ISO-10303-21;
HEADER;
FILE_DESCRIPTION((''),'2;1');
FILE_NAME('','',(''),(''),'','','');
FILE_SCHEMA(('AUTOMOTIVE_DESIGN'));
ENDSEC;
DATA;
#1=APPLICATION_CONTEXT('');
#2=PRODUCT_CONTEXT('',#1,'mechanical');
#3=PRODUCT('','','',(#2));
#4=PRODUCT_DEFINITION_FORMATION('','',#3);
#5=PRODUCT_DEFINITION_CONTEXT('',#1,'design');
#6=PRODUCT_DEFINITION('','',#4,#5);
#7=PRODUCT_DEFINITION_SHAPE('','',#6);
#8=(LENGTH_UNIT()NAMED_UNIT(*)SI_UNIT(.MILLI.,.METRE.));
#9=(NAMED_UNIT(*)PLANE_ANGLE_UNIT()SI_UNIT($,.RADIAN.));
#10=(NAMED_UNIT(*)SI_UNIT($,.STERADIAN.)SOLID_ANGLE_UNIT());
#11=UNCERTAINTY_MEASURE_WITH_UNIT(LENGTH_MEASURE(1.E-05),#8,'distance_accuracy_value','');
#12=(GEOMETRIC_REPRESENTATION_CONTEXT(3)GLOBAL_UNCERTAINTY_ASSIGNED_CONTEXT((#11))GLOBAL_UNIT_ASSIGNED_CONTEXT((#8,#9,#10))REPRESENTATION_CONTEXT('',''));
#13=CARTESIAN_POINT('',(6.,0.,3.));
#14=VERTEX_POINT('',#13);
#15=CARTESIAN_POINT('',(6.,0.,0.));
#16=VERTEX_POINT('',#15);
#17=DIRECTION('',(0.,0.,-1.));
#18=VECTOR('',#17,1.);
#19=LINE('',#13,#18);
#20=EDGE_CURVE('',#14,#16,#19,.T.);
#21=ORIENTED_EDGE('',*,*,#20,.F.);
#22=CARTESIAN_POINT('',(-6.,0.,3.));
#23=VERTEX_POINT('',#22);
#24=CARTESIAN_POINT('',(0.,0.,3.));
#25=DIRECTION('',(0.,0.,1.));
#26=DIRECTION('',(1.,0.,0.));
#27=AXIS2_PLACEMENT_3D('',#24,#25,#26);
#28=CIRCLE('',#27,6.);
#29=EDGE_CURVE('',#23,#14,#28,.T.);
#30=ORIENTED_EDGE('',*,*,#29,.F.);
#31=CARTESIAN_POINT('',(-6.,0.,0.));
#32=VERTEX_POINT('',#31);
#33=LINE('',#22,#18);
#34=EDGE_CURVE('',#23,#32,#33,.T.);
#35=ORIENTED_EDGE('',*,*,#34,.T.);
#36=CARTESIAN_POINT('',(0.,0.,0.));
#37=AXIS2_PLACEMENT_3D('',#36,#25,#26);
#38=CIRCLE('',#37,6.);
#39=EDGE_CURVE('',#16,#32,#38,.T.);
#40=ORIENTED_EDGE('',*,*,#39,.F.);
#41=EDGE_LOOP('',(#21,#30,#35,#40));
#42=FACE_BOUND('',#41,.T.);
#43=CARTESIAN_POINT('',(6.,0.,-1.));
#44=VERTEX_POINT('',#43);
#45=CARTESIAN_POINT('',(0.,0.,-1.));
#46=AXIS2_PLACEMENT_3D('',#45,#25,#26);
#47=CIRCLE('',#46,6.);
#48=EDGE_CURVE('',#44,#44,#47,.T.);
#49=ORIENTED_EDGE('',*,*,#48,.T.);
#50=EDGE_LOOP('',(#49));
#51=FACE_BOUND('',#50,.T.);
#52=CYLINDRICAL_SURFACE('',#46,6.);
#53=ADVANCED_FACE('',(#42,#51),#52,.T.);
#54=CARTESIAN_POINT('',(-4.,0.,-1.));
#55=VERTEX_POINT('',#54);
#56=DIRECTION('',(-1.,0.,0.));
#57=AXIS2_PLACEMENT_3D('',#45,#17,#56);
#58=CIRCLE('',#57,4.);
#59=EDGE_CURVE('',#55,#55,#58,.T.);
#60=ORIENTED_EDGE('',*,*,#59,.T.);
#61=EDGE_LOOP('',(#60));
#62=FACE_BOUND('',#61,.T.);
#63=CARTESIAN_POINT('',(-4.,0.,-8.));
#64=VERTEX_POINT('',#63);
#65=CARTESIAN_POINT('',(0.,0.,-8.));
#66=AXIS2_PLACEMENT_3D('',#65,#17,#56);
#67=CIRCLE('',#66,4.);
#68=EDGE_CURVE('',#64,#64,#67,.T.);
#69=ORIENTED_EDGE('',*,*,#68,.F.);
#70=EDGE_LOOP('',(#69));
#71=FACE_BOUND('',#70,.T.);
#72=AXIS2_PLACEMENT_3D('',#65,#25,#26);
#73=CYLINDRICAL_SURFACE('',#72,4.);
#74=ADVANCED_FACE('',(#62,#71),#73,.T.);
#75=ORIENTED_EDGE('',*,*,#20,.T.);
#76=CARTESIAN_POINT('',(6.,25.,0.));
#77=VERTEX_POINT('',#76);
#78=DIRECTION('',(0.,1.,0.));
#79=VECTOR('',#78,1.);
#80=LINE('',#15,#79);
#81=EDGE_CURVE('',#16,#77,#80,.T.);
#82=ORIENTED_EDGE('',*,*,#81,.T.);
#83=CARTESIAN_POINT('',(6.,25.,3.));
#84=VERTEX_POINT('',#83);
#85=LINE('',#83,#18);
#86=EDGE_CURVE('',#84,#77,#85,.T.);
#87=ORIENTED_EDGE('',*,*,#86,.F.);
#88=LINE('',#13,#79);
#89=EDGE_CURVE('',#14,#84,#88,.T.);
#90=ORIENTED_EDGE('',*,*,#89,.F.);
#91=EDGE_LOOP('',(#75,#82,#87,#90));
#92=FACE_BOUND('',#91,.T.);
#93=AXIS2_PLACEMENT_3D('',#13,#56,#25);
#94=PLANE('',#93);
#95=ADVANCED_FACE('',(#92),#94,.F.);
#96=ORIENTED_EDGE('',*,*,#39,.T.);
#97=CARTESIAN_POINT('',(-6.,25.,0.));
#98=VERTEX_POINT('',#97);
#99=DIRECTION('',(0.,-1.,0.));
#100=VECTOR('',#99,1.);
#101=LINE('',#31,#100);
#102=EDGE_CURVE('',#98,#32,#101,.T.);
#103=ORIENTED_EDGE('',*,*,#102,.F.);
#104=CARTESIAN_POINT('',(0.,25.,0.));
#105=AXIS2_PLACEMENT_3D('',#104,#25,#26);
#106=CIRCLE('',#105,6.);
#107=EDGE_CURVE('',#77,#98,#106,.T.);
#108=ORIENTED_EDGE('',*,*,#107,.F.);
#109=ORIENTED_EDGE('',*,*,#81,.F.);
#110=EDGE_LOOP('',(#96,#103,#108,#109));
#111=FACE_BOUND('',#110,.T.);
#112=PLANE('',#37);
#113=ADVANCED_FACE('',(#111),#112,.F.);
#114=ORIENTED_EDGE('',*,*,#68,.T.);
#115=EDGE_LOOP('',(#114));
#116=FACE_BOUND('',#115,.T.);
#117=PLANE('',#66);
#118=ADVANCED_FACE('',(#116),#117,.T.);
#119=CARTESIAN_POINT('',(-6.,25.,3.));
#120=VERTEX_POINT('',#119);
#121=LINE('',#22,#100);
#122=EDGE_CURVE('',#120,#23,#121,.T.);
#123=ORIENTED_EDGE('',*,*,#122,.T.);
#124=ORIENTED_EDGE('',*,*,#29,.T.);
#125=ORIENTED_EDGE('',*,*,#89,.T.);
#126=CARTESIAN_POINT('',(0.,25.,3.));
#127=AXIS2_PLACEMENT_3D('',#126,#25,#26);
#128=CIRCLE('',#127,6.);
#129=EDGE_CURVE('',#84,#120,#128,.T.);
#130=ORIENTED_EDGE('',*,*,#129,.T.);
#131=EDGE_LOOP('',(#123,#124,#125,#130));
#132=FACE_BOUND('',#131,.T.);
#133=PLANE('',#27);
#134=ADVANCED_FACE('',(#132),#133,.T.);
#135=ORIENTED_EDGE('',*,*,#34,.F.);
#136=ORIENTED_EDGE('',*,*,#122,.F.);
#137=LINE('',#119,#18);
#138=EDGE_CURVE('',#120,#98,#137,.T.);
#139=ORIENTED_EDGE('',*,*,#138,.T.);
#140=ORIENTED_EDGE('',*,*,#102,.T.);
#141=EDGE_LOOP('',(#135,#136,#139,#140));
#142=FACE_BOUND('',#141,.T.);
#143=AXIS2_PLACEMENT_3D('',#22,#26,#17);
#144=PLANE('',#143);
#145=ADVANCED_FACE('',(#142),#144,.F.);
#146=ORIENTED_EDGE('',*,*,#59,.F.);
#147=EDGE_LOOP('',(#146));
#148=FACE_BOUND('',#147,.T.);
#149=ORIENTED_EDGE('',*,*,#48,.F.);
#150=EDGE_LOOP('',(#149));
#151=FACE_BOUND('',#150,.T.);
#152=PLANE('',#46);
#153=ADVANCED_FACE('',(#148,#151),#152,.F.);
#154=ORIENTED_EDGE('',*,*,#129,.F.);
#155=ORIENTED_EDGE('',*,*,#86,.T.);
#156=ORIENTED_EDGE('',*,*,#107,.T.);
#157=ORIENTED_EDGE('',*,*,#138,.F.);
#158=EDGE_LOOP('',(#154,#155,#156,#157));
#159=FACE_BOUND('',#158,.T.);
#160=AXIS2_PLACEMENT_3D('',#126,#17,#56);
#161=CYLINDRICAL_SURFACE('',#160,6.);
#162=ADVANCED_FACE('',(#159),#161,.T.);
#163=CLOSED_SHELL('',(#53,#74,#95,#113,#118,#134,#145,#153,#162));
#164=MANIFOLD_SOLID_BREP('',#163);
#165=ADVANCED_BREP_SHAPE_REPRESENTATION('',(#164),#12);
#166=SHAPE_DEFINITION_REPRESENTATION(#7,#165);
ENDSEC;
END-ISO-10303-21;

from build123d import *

# Parameters (mm, degrees)
SKETCH1_R           = 6
BOSS_EXTRUDE1_DEPTH = 1
BOSS_EXTRUDE2_DEPTH = 3
SKETCH3_R           = 4
BOSS_EXTRUDE3_DEPTH = 7


with BuildPart() as part:
    # Sketch1 → Boss-Extrude1 (new body)
    with BuildSketch(Plane.XY):
        Circle(SKETCH1_R)
    extrude(amount=-BOSS_EXTRUDE1_DEPTH)

    # Sketch2 → Boss-Extrude2 (add)
    with BuildSketch(Plane.XY):
        with BuildLine():
            Line((-6, 0), (-6, 25))
            ThreePointArc((-6, 25), (0, 31), (6, 25))
            Line((6, 25), (6, 0))
            ThreePointArc((6, 0), (0, -6), (-6, 0))
        make_face()
    extrude(amount=BOSS_EXTRUDE2_DEPTH)

    # Sketch3 → Boss-Extrude3 (add)
    with BuildSketch(Plane(origin=(0, 0, -1), x_dir=(-1, 0, 0), z_dir=(0, 0, -1))):
        Circle(SKETCH3_R)
    extrude(amount=BOSS_EXTRUDE3_DEPTH)


solid = part.part
